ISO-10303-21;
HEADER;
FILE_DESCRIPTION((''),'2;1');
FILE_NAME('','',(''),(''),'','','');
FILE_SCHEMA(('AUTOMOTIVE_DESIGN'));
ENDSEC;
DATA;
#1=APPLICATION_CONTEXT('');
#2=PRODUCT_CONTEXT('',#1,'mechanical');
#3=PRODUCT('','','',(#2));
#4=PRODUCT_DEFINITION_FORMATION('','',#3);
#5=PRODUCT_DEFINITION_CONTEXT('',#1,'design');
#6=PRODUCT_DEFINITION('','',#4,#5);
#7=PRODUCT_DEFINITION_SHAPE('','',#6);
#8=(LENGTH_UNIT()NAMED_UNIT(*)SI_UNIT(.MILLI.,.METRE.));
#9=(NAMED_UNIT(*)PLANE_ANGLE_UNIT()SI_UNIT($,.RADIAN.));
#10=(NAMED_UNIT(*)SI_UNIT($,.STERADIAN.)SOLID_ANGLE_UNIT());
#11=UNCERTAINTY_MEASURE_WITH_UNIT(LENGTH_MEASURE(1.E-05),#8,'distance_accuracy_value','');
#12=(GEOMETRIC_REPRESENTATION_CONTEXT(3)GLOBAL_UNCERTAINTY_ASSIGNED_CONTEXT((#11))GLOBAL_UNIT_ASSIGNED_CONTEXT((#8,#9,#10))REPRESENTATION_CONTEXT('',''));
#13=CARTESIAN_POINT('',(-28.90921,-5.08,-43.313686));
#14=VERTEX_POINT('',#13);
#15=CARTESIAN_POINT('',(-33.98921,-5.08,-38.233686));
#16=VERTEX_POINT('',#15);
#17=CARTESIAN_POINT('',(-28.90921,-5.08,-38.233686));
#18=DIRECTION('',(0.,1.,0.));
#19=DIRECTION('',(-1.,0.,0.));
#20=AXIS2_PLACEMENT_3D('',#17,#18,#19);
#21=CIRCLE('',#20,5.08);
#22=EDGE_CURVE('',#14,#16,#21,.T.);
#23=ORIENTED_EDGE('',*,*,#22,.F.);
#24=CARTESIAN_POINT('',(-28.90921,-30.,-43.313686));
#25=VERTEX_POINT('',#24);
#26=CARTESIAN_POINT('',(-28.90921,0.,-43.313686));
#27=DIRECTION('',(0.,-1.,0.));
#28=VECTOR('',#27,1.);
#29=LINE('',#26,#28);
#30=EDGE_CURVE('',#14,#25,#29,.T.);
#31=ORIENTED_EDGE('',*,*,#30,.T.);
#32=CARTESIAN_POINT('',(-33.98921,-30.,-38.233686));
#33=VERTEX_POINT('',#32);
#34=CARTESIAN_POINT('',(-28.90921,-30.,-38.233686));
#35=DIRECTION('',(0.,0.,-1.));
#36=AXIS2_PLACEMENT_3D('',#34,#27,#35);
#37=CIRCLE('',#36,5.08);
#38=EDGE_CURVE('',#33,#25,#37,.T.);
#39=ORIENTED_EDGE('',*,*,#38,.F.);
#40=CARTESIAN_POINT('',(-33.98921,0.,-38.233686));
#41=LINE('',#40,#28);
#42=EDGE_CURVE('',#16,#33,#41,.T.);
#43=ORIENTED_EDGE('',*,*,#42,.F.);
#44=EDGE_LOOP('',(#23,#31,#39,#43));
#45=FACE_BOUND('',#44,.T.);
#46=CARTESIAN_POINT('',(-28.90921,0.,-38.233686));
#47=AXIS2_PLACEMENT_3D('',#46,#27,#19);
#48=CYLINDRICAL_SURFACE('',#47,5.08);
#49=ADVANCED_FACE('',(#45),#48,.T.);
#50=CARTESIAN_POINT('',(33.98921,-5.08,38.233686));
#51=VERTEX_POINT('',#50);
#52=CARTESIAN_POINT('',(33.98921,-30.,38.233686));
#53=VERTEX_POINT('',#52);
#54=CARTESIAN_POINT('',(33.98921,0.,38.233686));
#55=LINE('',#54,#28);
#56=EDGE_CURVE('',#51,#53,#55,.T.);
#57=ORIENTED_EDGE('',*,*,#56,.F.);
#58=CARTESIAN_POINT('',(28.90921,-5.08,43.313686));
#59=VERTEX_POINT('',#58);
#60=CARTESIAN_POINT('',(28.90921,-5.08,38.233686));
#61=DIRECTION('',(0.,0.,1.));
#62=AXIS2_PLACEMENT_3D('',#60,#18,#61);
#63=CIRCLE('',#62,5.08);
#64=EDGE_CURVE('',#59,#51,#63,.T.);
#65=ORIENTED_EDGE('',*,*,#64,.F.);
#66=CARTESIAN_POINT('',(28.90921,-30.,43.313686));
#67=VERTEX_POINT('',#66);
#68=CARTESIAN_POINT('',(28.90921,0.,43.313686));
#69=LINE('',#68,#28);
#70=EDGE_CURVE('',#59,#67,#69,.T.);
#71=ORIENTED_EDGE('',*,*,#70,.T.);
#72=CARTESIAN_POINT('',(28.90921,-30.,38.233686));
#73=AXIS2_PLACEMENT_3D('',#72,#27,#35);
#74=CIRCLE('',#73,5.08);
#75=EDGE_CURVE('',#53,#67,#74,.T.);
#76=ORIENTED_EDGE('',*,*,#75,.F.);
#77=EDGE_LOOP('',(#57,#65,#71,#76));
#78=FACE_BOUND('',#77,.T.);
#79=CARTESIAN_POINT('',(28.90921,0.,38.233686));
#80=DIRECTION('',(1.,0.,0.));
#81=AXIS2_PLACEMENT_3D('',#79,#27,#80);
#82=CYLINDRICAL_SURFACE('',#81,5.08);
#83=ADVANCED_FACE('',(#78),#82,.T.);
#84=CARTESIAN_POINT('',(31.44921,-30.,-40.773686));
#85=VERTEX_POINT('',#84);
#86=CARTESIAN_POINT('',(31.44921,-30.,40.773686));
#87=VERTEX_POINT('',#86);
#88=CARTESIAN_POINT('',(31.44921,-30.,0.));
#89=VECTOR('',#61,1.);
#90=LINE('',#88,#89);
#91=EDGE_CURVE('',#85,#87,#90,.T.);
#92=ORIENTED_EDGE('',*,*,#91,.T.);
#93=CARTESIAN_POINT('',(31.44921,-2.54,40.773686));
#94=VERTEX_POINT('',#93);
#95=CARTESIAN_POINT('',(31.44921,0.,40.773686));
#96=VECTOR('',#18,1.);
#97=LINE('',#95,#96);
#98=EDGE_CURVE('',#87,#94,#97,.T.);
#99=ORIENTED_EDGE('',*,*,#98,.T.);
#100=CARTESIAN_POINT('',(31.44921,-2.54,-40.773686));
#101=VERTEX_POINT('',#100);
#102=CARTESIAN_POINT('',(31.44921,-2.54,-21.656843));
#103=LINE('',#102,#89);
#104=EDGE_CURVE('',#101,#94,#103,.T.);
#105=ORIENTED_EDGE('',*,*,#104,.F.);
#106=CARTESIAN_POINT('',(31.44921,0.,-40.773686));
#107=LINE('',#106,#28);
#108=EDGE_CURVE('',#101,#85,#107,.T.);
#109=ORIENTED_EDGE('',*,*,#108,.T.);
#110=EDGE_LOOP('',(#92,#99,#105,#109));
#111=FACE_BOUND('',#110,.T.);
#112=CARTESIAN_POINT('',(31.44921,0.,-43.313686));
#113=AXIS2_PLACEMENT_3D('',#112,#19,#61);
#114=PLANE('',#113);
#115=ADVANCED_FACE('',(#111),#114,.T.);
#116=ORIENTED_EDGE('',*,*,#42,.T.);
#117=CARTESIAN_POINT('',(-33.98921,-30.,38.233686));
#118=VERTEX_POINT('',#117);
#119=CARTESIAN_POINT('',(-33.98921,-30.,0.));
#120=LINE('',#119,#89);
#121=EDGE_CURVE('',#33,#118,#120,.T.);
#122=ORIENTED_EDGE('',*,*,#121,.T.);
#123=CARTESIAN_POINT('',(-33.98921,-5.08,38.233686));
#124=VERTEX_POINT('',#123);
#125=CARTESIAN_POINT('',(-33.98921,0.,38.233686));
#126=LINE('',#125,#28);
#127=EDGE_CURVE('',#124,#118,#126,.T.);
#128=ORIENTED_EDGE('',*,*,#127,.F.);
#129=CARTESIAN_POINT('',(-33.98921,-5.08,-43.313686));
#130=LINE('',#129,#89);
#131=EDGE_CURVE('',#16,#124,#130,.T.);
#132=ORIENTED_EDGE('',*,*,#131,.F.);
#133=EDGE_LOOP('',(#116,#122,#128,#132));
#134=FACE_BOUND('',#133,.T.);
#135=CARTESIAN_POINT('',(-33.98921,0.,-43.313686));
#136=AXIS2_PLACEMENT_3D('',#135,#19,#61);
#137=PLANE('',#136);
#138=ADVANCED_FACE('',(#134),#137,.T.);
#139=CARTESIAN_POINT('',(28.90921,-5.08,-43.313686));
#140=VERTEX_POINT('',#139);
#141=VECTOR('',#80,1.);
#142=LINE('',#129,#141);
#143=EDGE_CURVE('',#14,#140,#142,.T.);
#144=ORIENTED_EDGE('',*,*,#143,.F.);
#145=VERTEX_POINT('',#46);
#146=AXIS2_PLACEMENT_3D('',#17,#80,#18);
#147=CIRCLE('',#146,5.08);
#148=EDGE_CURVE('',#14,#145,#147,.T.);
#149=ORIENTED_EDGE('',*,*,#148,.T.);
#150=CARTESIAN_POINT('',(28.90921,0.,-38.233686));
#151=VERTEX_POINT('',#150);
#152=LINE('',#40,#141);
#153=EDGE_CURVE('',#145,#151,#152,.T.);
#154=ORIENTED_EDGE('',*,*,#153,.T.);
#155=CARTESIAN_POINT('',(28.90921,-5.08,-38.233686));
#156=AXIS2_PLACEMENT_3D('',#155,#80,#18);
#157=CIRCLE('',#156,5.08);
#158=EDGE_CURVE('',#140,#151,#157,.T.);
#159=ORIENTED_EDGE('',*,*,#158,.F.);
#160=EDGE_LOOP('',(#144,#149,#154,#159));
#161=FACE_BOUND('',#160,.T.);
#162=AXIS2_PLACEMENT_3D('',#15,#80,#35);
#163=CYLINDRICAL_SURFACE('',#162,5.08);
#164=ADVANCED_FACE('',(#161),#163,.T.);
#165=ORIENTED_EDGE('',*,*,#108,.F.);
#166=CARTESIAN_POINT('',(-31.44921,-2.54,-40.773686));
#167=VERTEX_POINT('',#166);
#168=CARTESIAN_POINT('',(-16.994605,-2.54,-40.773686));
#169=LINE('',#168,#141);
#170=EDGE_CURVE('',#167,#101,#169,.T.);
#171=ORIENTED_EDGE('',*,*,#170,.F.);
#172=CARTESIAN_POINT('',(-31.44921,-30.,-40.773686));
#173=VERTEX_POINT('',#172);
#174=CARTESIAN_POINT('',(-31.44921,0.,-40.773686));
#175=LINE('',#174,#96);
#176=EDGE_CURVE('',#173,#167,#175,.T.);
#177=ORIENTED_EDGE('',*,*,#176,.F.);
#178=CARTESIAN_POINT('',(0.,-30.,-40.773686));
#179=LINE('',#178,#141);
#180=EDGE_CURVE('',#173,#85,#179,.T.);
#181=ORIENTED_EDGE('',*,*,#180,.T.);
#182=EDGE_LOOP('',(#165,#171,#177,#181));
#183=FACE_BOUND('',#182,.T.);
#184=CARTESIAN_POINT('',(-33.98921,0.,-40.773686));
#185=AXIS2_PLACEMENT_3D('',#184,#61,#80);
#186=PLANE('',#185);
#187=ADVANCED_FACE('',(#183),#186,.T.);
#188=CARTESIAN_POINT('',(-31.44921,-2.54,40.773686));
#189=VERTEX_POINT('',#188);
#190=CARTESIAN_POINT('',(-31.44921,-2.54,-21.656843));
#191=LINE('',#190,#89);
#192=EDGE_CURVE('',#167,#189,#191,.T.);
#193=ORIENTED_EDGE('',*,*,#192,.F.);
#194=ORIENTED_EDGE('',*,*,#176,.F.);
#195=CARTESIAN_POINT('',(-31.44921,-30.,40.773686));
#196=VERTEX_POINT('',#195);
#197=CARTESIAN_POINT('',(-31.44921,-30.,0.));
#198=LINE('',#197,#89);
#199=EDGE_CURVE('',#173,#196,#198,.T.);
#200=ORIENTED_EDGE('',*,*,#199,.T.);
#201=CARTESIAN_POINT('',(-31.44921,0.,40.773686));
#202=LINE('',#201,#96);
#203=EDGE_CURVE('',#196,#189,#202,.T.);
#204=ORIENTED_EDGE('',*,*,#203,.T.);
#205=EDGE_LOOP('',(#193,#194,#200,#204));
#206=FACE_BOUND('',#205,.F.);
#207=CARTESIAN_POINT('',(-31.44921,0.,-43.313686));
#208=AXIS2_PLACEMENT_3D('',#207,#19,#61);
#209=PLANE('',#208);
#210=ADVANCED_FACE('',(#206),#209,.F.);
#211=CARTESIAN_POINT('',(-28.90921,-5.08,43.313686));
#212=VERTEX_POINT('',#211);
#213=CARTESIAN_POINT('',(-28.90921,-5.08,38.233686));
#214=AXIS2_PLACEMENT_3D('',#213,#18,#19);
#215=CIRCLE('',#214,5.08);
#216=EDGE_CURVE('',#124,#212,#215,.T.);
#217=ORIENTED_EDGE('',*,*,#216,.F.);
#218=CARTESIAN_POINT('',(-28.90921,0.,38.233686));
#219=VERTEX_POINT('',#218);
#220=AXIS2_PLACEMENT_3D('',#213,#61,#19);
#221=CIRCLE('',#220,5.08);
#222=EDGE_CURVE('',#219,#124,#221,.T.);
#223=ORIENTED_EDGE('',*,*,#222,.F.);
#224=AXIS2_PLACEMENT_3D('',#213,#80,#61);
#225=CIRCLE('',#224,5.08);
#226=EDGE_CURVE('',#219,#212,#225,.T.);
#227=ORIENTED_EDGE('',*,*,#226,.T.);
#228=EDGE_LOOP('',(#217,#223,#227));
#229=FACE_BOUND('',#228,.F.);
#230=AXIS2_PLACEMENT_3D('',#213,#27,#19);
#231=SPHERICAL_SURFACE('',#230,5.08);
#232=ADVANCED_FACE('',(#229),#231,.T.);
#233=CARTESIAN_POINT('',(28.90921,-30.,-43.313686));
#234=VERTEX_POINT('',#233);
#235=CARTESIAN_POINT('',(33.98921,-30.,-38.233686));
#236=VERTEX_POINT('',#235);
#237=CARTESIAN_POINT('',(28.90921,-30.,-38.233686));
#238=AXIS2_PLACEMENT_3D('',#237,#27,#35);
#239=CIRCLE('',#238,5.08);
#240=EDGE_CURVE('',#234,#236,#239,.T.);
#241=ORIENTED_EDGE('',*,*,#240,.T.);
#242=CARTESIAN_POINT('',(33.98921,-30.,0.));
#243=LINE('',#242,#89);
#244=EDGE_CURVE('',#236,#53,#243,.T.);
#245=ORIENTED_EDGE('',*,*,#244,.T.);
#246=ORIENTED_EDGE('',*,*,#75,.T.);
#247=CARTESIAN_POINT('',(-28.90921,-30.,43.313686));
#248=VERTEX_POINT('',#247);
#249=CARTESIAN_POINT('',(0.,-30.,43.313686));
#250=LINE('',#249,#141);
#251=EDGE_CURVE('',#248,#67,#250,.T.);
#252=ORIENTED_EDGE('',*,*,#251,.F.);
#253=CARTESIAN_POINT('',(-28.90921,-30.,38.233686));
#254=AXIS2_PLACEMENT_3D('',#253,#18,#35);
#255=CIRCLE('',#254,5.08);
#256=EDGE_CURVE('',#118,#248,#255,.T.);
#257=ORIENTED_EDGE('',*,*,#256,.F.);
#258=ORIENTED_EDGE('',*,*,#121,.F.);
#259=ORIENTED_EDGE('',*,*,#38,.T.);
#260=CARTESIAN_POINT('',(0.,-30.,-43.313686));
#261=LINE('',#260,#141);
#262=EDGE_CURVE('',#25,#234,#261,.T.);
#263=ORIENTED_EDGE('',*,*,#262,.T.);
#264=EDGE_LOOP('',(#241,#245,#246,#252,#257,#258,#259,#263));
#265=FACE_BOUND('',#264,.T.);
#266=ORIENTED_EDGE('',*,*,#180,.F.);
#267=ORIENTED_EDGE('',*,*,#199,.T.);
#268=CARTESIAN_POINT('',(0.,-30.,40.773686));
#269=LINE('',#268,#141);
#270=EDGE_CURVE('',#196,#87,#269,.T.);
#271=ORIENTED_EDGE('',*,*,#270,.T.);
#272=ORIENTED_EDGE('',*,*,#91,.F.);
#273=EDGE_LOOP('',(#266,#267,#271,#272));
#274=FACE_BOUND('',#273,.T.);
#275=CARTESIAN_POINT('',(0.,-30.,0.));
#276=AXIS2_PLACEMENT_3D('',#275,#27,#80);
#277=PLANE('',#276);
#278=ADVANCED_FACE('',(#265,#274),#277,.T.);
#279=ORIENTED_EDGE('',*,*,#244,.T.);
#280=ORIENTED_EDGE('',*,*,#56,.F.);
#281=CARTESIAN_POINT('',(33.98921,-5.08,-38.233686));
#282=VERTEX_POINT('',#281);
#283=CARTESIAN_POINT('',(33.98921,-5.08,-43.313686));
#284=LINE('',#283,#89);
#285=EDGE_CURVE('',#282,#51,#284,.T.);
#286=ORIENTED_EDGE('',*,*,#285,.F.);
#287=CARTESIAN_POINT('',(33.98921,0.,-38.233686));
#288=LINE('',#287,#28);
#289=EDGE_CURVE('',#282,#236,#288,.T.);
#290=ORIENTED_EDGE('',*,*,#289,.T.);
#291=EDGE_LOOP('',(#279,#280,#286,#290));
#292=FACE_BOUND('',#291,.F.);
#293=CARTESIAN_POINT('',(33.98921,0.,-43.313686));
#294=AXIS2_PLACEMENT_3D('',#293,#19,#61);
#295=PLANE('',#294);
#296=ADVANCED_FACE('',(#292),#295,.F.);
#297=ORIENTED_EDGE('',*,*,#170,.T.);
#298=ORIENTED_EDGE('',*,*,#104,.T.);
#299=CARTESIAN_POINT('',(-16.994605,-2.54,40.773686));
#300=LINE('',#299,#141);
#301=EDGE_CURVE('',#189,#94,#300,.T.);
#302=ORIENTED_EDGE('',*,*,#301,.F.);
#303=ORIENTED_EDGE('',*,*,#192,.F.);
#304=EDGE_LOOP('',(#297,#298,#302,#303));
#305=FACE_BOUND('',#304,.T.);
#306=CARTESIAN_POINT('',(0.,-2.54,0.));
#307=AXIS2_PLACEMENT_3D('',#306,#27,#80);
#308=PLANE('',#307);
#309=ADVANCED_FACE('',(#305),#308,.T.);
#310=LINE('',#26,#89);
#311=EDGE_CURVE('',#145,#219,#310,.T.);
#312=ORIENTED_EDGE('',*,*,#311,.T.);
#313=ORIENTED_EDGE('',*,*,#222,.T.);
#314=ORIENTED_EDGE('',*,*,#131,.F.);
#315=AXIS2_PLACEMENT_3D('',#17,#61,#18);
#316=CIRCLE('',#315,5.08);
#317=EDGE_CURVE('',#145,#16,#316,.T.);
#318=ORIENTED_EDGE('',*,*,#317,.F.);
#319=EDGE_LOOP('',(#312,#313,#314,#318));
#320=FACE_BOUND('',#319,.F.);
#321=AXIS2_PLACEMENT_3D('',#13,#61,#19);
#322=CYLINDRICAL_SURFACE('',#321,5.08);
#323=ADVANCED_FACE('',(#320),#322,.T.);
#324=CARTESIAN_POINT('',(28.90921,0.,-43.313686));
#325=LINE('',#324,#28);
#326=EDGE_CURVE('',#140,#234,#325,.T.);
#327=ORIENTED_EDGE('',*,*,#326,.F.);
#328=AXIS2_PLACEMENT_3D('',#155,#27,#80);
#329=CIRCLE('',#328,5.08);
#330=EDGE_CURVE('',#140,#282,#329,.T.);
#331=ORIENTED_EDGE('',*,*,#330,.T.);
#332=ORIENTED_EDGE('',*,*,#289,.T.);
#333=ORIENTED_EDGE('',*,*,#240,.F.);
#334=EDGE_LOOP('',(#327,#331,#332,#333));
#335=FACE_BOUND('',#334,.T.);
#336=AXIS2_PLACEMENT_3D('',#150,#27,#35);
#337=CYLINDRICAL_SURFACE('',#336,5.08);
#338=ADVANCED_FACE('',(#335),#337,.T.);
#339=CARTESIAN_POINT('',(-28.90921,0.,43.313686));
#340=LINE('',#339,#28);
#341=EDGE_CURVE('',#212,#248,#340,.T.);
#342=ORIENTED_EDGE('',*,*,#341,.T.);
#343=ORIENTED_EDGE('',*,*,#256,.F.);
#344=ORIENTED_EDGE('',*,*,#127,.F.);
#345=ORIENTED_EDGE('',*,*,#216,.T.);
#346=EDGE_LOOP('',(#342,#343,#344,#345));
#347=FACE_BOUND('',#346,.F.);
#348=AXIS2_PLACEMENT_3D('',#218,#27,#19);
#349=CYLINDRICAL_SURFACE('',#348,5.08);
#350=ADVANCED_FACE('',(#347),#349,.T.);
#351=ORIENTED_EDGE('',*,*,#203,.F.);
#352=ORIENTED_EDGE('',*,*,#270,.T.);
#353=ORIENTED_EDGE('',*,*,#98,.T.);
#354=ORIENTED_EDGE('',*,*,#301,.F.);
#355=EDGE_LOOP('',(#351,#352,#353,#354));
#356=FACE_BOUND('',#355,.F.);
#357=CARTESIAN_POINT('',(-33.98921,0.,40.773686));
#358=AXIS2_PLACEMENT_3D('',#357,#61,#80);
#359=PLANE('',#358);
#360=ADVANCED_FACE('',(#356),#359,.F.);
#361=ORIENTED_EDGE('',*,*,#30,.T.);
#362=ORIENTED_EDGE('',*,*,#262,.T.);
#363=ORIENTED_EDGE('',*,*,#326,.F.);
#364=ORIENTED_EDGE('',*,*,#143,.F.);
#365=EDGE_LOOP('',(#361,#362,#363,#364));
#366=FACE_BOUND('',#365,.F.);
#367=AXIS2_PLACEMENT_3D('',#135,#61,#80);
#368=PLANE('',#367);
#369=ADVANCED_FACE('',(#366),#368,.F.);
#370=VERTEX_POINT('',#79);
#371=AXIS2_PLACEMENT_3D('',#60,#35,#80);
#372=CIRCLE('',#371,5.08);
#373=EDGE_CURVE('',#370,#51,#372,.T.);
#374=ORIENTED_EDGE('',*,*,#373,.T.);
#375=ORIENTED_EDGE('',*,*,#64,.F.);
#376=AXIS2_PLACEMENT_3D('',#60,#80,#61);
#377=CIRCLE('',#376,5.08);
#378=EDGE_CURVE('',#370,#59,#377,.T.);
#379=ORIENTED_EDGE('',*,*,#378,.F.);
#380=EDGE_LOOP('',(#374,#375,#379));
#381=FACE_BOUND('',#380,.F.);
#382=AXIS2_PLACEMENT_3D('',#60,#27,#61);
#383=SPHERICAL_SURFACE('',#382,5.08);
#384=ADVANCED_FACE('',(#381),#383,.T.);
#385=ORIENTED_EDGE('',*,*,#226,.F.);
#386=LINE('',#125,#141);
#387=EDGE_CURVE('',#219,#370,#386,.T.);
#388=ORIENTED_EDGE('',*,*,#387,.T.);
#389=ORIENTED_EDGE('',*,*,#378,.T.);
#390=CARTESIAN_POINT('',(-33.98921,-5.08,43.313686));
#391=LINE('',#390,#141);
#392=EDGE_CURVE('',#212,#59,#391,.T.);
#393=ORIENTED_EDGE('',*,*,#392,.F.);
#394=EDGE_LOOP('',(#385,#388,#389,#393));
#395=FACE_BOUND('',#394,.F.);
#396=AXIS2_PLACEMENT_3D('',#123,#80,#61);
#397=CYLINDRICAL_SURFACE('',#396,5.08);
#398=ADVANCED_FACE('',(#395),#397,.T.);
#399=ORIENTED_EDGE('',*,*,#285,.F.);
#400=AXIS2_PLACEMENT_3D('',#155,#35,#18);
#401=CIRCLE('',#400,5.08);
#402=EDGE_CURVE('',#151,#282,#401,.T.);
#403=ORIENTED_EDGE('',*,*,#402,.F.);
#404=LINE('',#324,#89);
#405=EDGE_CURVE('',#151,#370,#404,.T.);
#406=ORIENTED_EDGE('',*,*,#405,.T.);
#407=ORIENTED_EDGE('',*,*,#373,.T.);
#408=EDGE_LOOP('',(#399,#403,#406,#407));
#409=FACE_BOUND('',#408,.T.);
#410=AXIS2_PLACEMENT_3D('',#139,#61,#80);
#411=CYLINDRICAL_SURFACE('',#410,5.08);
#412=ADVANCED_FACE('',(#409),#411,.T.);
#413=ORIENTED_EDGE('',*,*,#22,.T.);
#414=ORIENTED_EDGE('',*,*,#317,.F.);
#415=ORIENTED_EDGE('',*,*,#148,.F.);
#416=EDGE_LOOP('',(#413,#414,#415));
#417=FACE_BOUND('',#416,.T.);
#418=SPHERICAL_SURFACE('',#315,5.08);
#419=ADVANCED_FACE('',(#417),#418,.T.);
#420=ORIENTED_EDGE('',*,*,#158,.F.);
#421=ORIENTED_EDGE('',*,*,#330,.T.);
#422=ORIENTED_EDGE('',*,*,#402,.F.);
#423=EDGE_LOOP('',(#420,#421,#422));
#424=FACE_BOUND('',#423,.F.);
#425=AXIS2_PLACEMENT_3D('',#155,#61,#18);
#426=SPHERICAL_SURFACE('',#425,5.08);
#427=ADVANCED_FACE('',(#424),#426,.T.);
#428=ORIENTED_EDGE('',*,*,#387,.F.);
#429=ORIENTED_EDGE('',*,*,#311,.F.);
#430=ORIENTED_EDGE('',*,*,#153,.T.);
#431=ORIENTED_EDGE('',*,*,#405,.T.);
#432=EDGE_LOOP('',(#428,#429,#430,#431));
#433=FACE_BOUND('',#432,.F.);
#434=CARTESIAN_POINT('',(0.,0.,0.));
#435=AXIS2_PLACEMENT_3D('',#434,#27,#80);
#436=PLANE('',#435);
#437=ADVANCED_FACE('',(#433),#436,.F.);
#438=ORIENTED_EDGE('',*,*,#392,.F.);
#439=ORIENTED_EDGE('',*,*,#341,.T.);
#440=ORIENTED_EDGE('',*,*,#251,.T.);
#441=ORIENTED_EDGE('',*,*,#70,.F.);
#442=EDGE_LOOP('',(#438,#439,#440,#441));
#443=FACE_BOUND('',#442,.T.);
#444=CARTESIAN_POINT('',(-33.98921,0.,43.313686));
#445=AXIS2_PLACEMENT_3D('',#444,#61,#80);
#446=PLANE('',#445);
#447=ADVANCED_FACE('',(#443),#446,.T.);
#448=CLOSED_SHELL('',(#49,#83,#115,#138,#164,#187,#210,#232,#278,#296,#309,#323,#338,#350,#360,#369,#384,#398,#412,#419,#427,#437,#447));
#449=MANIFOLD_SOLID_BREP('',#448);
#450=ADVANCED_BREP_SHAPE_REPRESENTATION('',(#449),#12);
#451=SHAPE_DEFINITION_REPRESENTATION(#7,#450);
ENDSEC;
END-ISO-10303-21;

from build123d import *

# Parameters (mm, degrees)
F0_W     = 67.97842
F0_H     = 86.627372
F1_DEPTH = 30
F2_T     = -2.54
F3_R     = 5.08


with BuildPart() as f1:
    # F0 (on Front) → F1 (new body)
    with BuildSketch(Plane.XZ):
        Rectangle(F0_W, F0_H)
    extrude(amount=F1_DEPTH)

    # F2
    f2_openings = [f1.faces().sort_by_distance(p)[0] for p in [
        (0, -30, 0),
    ]]
    offset(amount=F2_T, openings=f2_openings)

    # F3
    f3_edges = [f1.edges().sort_by_distance(p)[0] for p in [
        (-33.98921, -15, 43.313686),
        (-33.98921, 0, 0),
        (33.98921, -15, 43.313686),
        (0, 0, 43.313686),
        (33.98921, 0, 0),
        (0, 0, -43.313686),
        (33.98921, -15, -43.313686),
        (-33.98921, -15, -43.313686),
    ]]
    fillet(f3_edges, radius=F3_R)


solid = f1.part
